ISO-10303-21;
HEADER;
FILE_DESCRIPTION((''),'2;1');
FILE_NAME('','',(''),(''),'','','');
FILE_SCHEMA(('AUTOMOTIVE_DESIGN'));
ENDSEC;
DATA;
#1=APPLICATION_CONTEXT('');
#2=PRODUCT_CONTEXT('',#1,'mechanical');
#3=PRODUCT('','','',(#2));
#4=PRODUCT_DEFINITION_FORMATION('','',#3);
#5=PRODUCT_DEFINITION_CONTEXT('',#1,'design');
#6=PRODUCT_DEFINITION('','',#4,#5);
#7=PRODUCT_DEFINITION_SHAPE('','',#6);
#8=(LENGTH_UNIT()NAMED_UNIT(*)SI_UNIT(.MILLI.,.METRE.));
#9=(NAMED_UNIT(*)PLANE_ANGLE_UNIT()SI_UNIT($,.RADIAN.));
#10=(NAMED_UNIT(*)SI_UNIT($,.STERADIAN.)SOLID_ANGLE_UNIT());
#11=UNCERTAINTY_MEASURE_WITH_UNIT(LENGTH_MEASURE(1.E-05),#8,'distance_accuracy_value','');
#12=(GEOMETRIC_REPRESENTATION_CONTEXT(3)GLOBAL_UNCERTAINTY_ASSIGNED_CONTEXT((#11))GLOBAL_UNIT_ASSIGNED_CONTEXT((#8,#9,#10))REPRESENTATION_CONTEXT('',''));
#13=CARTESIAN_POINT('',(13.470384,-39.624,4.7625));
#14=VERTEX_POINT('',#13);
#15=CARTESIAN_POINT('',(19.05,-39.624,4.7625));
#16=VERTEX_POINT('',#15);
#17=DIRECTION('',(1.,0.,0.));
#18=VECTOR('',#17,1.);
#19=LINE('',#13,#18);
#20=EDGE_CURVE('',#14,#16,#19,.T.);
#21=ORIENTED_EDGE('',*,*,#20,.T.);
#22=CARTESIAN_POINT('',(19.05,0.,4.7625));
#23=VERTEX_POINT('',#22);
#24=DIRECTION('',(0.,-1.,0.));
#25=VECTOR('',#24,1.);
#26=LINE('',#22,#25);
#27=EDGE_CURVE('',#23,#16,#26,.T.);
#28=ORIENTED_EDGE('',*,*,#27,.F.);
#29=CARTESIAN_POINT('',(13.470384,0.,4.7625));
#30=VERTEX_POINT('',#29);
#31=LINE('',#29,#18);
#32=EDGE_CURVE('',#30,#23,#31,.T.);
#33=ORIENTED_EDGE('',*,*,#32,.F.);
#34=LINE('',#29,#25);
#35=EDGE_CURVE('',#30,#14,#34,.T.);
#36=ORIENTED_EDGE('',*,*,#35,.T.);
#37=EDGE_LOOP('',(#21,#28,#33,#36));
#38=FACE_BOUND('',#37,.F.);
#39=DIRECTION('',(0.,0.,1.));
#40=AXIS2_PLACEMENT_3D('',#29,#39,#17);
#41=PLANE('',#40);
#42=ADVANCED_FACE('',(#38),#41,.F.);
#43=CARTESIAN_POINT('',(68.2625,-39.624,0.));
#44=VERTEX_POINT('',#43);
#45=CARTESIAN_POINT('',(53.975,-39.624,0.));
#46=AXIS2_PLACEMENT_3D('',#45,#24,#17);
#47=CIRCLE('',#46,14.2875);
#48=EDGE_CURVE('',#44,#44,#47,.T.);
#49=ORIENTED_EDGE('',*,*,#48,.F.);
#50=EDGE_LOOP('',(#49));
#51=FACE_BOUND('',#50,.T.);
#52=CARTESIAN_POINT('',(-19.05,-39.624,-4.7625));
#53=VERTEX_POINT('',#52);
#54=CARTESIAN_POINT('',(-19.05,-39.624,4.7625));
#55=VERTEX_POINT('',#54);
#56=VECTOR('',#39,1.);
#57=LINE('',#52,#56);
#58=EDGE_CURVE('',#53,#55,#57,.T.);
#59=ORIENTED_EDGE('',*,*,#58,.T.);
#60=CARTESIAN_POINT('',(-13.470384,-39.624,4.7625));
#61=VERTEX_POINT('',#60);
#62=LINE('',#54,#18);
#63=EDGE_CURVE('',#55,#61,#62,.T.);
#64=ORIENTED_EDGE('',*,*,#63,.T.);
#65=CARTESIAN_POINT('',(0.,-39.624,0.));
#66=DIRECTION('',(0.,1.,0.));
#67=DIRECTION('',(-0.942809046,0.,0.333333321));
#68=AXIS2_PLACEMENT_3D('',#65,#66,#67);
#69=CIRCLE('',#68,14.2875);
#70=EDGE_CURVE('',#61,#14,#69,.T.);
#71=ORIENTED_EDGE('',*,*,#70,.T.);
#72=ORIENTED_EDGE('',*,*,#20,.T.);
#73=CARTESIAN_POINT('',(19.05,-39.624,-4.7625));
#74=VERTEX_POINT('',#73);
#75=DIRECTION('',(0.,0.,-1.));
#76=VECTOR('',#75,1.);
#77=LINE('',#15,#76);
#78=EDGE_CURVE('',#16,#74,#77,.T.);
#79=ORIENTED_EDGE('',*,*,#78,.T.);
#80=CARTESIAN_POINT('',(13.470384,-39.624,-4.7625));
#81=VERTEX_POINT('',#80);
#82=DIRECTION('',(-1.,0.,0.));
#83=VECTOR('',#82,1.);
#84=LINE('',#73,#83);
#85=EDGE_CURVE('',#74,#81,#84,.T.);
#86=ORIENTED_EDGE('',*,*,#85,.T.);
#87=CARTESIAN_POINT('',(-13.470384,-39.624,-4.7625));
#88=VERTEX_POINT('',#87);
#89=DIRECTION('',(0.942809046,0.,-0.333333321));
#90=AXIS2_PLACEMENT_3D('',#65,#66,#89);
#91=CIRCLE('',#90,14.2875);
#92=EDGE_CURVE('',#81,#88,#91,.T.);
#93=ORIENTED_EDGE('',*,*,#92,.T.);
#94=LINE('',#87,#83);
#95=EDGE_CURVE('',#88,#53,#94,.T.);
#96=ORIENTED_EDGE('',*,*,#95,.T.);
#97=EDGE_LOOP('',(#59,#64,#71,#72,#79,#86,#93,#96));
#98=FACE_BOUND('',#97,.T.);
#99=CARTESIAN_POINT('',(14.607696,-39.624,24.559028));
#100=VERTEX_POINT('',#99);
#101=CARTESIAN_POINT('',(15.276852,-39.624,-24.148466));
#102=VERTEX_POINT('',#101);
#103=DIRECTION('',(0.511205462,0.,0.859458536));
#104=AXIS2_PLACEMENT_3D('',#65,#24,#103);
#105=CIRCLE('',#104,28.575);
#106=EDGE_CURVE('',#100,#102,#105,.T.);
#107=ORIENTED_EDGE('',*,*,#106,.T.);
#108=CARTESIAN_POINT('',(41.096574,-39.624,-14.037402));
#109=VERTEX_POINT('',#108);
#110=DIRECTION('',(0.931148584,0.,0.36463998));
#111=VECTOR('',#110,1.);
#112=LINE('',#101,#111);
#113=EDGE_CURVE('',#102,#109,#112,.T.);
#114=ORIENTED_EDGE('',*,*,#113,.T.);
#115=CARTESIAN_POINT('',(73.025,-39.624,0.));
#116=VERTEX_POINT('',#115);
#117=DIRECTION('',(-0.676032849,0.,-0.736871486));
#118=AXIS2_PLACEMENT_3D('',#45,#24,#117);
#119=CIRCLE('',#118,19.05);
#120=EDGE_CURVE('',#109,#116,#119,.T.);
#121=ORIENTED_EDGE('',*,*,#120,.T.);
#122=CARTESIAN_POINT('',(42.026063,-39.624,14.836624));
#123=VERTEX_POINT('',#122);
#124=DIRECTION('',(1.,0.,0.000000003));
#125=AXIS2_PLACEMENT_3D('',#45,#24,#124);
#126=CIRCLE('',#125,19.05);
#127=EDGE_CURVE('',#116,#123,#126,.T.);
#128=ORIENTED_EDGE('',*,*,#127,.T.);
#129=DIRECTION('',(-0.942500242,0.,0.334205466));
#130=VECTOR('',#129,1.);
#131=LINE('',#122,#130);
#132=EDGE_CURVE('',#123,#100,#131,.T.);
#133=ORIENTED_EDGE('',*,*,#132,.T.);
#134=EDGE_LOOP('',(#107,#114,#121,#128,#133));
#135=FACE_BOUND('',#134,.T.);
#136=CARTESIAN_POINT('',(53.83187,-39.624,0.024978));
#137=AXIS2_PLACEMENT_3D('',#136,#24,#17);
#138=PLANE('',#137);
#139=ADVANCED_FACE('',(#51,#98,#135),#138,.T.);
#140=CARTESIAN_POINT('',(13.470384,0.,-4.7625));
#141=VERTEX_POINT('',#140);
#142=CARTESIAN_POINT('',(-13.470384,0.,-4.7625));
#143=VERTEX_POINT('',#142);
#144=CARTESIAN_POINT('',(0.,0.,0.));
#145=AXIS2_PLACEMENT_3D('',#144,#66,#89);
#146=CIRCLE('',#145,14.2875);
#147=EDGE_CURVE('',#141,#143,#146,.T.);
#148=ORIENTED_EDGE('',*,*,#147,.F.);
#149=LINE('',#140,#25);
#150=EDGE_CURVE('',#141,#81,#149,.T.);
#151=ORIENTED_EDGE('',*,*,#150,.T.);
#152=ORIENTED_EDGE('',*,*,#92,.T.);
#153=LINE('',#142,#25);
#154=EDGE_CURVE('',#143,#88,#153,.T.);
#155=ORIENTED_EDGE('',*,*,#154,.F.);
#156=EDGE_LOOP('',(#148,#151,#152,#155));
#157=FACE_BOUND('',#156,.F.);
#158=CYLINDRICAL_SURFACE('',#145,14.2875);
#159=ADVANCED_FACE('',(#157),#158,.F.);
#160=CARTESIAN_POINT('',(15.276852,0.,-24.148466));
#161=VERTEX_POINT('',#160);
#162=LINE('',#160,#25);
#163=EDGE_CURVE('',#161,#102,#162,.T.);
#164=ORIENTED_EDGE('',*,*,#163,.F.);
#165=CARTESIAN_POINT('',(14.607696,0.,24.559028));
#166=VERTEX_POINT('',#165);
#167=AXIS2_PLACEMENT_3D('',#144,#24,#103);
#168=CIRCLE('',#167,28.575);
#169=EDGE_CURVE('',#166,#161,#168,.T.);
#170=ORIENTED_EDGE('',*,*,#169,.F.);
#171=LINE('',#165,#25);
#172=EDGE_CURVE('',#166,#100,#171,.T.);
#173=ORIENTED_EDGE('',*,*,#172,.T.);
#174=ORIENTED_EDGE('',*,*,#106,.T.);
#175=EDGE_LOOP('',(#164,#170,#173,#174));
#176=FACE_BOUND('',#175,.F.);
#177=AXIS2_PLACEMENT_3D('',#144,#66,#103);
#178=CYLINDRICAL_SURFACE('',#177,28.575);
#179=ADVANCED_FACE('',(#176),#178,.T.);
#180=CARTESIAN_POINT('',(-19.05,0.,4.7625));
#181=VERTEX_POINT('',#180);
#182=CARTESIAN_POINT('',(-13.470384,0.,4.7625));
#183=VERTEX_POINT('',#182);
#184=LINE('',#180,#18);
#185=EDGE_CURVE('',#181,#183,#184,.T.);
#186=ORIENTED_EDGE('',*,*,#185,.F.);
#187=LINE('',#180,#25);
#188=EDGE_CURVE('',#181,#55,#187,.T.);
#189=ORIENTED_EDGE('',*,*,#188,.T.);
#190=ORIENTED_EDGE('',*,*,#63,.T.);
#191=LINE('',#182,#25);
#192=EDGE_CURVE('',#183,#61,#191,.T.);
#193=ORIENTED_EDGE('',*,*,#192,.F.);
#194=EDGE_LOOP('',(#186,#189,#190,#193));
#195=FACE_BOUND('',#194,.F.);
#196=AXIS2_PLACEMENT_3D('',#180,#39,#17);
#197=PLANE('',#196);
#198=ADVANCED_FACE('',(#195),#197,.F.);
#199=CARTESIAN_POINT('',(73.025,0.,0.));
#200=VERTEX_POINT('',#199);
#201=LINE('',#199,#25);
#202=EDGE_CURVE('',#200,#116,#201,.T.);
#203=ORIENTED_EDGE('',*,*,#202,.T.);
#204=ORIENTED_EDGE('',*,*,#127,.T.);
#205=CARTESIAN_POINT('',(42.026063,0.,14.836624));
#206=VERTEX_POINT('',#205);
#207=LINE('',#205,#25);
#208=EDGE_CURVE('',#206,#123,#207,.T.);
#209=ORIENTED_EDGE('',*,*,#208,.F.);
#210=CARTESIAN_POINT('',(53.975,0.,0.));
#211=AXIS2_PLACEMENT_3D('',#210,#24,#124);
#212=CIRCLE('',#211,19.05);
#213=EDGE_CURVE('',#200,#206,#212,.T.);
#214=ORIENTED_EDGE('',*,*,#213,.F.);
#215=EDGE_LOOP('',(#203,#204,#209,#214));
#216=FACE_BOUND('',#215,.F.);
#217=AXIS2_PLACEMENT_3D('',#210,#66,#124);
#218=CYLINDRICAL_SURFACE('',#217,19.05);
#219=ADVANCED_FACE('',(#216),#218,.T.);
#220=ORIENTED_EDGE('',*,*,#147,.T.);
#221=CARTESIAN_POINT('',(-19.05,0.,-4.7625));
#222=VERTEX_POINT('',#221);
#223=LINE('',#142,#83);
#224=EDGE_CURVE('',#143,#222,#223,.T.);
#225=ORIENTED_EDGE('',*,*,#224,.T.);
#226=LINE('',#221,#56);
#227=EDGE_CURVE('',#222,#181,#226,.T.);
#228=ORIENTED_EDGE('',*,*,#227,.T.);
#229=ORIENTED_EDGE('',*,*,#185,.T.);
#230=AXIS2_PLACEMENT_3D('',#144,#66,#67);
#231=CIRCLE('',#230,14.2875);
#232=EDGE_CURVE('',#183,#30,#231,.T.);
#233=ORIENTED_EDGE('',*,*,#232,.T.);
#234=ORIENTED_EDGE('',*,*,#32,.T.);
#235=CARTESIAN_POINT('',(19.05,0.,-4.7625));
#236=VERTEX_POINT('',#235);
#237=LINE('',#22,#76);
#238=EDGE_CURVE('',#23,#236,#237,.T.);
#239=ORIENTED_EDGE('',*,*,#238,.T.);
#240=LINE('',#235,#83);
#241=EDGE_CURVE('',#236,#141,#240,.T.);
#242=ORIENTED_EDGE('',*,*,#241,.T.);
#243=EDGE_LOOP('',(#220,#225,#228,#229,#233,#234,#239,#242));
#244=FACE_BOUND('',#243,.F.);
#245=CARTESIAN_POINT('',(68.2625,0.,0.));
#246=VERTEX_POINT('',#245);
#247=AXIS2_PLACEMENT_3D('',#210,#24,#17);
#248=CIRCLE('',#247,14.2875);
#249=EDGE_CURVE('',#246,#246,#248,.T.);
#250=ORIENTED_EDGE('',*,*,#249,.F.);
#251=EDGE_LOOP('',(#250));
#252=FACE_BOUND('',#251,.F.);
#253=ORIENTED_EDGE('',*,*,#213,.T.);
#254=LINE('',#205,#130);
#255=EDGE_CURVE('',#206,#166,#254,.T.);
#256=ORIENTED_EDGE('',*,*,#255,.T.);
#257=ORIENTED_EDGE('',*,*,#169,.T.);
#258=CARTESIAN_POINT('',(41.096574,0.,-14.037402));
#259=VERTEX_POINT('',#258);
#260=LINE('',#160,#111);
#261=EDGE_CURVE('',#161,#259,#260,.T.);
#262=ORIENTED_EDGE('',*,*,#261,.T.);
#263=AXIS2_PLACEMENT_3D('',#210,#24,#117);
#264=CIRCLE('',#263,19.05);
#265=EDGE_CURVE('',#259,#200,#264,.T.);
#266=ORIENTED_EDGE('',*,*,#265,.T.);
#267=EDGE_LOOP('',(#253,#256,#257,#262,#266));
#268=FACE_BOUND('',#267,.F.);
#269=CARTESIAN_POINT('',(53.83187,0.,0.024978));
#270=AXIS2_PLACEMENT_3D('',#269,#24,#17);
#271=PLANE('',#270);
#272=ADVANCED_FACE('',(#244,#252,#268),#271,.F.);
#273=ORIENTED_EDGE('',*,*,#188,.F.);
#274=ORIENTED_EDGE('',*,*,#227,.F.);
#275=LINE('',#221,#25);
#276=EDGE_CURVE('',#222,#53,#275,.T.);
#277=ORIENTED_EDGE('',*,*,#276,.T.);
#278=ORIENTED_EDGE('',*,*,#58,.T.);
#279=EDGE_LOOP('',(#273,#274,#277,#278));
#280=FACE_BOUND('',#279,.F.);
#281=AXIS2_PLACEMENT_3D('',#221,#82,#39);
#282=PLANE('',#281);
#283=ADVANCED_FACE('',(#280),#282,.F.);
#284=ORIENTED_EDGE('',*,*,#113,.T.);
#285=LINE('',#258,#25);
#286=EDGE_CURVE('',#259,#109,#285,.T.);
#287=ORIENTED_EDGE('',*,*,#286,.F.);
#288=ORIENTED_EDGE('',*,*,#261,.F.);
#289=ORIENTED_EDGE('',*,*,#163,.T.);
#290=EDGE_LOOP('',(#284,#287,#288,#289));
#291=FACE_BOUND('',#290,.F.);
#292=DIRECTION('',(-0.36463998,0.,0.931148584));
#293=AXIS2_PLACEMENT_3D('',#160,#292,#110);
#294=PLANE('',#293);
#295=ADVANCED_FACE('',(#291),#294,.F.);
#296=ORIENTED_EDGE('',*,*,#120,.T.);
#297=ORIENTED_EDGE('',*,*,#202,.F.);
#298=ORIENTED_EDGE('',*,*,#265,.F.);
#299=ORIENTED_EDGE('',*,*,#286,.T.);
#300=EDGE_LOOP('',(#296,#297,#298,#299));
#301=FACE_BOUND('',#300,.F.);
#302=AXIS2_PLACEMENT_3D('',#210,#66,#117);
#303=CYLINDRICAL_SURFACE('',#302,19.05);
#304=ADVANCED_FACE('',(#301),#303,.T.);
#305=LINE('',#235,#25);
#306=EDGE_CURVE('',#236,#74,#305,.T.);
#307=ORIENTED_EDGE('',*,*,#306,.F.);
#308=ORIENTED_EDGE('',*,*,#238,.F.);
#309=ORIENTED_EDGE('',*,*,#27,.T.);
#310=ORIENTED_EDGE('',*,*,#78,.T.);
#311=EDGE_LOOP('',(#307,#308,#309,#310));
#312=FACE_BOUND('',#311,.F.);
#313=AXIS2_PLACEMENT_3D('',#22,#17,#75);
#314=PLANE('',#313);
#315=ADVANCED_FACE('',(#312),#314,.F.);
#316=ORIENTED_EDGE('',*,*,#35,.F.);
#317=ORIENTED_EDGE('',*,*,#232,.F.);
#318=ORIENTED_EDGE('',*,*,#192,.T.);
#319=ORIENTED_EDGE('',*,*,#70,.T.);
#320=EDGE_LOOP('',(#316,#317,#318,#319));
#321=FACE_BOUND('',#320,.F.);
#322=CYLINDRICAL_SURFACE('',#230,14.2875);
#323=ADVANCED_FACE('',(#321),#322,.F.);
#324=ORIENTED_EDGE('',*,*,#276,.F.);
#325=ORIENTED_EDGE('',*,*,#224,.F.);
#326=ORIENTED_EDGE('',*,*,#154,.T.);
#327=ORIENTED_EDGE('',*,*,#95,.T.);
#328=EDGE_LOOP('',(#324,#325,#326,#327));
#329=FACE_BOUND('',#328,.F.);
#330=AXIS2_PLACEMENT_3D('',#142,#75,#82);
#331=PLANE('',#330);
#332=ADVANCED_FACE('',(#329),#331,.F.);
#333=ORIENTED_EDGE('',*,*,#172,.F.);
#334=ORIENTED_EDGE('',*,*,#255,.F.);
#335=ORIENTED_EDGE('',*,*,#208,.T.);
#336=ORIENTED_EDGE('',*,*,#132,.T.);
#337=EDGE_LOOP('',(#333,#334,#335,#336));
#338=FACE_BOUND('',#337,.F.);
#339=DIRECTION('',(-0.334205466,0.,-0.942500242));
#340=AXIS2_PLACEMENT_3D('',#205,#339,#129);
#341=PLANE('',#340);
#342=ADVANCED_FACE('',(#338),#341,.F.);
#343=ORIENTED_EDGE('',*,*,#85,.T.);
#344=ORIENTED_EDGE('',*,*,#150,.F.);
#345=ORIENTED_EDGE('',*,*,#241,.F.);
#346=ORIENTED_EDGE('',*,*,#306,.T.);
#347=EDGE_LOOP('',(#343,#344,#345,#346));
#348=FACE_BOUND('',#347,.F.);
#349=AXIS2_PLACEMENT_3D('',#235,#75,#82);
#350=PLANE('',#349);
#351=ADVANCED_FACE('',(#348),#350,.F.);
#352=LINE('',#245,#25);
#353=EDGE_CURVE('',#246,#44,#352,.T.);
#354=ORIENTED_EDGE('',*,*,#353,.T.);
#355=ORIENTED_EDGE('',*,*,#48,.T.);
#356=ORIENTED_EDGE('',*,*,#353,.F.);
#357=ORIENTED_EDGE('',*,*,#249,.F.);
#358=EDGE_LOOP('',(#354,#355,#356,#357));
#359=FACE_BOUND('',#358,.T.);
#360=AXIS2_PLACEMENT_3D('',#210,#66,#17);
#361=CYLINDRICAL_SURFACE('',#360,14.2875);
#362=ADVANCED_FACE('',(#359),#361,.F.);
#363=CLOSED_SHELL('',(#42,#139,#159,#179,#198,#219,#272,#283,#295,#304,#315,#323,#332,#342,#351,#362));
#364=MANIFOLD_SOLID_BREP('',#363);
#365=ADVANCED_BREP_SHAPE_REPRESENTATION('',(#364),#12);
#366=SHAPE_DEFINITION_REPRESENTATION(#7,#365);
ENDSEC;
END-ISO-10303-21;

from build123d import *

# Parameters (mm, degrees)
F0_R     = 14.2875
F1_DEPTH = 39.624


with BuildPart() as f1:
    # F0 (on Front) → F1 (new body)
    with BuildSketch(Plane.XZ):
        with BuildLine():
            ThreePointArc((73.025, 0), (62.19921, 17.183273), (42.026063, 14.836624))
            ThreePointArc((42.026063, 14.836624), (34.934863, 0.612924), (41.096574, -14.037402))
            ThreePointArc((41.096574, -14.037402), (61.642088, -17.438987), (73.025, 0))
        make_face()
        with Locations((53.975, 0)):
            Circle(F0_R, mode=Mode.SUBTRACT)
        with BuildLine():
            ThreePointArc((14.607696, 24.559028), (24.838936, 14.126495), (28.575, 0))
            ThreePointArc((28.575, 0), (25.030648, -13.783951), (15.276852, -24.148466))
            Line((15.276852, -24.148466), (41.096574, -14.037402))
            ThreePointArc((41.096574, -14.037402), (34.934863, 0.612924), (42.026063, 14.836624))
            Line((42.026063, 14.836624), (14.607696, 24.559028))
        make_face()
        with BuildLine():
            ThreePointArc((15.276852, -24.148466), (25.030648, -13.783951), (28.575, 0))
            ThreePointArc((28.575, 0), (24.838936, 14.126495), (14.607696, 24.559028))
            ThreePointArc((14.607696, 24.559028), (-28.572304, -0.392534), (15.276852, -24.148466))
        make_face()
        with BuildLine():
            ThreePointArc((-13.470384, 4.7625), (0, 14.2875), (13.470384, 4.7625))
            Line((13.470384, 4.7625), (19.05, 4.7625))
            Line((19.05, 4.7625), (19.05, -4.7625))
            Line((19.05, -4.7625), (13.470384, -4.7625))
            ThreePointArc((13.470384, -4.7625), (0, -14.2875), (-13.470384, -4.7625))
            Line((-13.470384, -4.7625), (-19.05, -4.7625))
            Line((-19.05, -4.7625), (-19.05, 4.7625))
            Line((-19.05, 4.7625), (-13.470384, 4.7625))
        make_face(mode=Mode.SUBTRACT)
    extrude(amount=F1_DEPTH)


solid = f1.part
